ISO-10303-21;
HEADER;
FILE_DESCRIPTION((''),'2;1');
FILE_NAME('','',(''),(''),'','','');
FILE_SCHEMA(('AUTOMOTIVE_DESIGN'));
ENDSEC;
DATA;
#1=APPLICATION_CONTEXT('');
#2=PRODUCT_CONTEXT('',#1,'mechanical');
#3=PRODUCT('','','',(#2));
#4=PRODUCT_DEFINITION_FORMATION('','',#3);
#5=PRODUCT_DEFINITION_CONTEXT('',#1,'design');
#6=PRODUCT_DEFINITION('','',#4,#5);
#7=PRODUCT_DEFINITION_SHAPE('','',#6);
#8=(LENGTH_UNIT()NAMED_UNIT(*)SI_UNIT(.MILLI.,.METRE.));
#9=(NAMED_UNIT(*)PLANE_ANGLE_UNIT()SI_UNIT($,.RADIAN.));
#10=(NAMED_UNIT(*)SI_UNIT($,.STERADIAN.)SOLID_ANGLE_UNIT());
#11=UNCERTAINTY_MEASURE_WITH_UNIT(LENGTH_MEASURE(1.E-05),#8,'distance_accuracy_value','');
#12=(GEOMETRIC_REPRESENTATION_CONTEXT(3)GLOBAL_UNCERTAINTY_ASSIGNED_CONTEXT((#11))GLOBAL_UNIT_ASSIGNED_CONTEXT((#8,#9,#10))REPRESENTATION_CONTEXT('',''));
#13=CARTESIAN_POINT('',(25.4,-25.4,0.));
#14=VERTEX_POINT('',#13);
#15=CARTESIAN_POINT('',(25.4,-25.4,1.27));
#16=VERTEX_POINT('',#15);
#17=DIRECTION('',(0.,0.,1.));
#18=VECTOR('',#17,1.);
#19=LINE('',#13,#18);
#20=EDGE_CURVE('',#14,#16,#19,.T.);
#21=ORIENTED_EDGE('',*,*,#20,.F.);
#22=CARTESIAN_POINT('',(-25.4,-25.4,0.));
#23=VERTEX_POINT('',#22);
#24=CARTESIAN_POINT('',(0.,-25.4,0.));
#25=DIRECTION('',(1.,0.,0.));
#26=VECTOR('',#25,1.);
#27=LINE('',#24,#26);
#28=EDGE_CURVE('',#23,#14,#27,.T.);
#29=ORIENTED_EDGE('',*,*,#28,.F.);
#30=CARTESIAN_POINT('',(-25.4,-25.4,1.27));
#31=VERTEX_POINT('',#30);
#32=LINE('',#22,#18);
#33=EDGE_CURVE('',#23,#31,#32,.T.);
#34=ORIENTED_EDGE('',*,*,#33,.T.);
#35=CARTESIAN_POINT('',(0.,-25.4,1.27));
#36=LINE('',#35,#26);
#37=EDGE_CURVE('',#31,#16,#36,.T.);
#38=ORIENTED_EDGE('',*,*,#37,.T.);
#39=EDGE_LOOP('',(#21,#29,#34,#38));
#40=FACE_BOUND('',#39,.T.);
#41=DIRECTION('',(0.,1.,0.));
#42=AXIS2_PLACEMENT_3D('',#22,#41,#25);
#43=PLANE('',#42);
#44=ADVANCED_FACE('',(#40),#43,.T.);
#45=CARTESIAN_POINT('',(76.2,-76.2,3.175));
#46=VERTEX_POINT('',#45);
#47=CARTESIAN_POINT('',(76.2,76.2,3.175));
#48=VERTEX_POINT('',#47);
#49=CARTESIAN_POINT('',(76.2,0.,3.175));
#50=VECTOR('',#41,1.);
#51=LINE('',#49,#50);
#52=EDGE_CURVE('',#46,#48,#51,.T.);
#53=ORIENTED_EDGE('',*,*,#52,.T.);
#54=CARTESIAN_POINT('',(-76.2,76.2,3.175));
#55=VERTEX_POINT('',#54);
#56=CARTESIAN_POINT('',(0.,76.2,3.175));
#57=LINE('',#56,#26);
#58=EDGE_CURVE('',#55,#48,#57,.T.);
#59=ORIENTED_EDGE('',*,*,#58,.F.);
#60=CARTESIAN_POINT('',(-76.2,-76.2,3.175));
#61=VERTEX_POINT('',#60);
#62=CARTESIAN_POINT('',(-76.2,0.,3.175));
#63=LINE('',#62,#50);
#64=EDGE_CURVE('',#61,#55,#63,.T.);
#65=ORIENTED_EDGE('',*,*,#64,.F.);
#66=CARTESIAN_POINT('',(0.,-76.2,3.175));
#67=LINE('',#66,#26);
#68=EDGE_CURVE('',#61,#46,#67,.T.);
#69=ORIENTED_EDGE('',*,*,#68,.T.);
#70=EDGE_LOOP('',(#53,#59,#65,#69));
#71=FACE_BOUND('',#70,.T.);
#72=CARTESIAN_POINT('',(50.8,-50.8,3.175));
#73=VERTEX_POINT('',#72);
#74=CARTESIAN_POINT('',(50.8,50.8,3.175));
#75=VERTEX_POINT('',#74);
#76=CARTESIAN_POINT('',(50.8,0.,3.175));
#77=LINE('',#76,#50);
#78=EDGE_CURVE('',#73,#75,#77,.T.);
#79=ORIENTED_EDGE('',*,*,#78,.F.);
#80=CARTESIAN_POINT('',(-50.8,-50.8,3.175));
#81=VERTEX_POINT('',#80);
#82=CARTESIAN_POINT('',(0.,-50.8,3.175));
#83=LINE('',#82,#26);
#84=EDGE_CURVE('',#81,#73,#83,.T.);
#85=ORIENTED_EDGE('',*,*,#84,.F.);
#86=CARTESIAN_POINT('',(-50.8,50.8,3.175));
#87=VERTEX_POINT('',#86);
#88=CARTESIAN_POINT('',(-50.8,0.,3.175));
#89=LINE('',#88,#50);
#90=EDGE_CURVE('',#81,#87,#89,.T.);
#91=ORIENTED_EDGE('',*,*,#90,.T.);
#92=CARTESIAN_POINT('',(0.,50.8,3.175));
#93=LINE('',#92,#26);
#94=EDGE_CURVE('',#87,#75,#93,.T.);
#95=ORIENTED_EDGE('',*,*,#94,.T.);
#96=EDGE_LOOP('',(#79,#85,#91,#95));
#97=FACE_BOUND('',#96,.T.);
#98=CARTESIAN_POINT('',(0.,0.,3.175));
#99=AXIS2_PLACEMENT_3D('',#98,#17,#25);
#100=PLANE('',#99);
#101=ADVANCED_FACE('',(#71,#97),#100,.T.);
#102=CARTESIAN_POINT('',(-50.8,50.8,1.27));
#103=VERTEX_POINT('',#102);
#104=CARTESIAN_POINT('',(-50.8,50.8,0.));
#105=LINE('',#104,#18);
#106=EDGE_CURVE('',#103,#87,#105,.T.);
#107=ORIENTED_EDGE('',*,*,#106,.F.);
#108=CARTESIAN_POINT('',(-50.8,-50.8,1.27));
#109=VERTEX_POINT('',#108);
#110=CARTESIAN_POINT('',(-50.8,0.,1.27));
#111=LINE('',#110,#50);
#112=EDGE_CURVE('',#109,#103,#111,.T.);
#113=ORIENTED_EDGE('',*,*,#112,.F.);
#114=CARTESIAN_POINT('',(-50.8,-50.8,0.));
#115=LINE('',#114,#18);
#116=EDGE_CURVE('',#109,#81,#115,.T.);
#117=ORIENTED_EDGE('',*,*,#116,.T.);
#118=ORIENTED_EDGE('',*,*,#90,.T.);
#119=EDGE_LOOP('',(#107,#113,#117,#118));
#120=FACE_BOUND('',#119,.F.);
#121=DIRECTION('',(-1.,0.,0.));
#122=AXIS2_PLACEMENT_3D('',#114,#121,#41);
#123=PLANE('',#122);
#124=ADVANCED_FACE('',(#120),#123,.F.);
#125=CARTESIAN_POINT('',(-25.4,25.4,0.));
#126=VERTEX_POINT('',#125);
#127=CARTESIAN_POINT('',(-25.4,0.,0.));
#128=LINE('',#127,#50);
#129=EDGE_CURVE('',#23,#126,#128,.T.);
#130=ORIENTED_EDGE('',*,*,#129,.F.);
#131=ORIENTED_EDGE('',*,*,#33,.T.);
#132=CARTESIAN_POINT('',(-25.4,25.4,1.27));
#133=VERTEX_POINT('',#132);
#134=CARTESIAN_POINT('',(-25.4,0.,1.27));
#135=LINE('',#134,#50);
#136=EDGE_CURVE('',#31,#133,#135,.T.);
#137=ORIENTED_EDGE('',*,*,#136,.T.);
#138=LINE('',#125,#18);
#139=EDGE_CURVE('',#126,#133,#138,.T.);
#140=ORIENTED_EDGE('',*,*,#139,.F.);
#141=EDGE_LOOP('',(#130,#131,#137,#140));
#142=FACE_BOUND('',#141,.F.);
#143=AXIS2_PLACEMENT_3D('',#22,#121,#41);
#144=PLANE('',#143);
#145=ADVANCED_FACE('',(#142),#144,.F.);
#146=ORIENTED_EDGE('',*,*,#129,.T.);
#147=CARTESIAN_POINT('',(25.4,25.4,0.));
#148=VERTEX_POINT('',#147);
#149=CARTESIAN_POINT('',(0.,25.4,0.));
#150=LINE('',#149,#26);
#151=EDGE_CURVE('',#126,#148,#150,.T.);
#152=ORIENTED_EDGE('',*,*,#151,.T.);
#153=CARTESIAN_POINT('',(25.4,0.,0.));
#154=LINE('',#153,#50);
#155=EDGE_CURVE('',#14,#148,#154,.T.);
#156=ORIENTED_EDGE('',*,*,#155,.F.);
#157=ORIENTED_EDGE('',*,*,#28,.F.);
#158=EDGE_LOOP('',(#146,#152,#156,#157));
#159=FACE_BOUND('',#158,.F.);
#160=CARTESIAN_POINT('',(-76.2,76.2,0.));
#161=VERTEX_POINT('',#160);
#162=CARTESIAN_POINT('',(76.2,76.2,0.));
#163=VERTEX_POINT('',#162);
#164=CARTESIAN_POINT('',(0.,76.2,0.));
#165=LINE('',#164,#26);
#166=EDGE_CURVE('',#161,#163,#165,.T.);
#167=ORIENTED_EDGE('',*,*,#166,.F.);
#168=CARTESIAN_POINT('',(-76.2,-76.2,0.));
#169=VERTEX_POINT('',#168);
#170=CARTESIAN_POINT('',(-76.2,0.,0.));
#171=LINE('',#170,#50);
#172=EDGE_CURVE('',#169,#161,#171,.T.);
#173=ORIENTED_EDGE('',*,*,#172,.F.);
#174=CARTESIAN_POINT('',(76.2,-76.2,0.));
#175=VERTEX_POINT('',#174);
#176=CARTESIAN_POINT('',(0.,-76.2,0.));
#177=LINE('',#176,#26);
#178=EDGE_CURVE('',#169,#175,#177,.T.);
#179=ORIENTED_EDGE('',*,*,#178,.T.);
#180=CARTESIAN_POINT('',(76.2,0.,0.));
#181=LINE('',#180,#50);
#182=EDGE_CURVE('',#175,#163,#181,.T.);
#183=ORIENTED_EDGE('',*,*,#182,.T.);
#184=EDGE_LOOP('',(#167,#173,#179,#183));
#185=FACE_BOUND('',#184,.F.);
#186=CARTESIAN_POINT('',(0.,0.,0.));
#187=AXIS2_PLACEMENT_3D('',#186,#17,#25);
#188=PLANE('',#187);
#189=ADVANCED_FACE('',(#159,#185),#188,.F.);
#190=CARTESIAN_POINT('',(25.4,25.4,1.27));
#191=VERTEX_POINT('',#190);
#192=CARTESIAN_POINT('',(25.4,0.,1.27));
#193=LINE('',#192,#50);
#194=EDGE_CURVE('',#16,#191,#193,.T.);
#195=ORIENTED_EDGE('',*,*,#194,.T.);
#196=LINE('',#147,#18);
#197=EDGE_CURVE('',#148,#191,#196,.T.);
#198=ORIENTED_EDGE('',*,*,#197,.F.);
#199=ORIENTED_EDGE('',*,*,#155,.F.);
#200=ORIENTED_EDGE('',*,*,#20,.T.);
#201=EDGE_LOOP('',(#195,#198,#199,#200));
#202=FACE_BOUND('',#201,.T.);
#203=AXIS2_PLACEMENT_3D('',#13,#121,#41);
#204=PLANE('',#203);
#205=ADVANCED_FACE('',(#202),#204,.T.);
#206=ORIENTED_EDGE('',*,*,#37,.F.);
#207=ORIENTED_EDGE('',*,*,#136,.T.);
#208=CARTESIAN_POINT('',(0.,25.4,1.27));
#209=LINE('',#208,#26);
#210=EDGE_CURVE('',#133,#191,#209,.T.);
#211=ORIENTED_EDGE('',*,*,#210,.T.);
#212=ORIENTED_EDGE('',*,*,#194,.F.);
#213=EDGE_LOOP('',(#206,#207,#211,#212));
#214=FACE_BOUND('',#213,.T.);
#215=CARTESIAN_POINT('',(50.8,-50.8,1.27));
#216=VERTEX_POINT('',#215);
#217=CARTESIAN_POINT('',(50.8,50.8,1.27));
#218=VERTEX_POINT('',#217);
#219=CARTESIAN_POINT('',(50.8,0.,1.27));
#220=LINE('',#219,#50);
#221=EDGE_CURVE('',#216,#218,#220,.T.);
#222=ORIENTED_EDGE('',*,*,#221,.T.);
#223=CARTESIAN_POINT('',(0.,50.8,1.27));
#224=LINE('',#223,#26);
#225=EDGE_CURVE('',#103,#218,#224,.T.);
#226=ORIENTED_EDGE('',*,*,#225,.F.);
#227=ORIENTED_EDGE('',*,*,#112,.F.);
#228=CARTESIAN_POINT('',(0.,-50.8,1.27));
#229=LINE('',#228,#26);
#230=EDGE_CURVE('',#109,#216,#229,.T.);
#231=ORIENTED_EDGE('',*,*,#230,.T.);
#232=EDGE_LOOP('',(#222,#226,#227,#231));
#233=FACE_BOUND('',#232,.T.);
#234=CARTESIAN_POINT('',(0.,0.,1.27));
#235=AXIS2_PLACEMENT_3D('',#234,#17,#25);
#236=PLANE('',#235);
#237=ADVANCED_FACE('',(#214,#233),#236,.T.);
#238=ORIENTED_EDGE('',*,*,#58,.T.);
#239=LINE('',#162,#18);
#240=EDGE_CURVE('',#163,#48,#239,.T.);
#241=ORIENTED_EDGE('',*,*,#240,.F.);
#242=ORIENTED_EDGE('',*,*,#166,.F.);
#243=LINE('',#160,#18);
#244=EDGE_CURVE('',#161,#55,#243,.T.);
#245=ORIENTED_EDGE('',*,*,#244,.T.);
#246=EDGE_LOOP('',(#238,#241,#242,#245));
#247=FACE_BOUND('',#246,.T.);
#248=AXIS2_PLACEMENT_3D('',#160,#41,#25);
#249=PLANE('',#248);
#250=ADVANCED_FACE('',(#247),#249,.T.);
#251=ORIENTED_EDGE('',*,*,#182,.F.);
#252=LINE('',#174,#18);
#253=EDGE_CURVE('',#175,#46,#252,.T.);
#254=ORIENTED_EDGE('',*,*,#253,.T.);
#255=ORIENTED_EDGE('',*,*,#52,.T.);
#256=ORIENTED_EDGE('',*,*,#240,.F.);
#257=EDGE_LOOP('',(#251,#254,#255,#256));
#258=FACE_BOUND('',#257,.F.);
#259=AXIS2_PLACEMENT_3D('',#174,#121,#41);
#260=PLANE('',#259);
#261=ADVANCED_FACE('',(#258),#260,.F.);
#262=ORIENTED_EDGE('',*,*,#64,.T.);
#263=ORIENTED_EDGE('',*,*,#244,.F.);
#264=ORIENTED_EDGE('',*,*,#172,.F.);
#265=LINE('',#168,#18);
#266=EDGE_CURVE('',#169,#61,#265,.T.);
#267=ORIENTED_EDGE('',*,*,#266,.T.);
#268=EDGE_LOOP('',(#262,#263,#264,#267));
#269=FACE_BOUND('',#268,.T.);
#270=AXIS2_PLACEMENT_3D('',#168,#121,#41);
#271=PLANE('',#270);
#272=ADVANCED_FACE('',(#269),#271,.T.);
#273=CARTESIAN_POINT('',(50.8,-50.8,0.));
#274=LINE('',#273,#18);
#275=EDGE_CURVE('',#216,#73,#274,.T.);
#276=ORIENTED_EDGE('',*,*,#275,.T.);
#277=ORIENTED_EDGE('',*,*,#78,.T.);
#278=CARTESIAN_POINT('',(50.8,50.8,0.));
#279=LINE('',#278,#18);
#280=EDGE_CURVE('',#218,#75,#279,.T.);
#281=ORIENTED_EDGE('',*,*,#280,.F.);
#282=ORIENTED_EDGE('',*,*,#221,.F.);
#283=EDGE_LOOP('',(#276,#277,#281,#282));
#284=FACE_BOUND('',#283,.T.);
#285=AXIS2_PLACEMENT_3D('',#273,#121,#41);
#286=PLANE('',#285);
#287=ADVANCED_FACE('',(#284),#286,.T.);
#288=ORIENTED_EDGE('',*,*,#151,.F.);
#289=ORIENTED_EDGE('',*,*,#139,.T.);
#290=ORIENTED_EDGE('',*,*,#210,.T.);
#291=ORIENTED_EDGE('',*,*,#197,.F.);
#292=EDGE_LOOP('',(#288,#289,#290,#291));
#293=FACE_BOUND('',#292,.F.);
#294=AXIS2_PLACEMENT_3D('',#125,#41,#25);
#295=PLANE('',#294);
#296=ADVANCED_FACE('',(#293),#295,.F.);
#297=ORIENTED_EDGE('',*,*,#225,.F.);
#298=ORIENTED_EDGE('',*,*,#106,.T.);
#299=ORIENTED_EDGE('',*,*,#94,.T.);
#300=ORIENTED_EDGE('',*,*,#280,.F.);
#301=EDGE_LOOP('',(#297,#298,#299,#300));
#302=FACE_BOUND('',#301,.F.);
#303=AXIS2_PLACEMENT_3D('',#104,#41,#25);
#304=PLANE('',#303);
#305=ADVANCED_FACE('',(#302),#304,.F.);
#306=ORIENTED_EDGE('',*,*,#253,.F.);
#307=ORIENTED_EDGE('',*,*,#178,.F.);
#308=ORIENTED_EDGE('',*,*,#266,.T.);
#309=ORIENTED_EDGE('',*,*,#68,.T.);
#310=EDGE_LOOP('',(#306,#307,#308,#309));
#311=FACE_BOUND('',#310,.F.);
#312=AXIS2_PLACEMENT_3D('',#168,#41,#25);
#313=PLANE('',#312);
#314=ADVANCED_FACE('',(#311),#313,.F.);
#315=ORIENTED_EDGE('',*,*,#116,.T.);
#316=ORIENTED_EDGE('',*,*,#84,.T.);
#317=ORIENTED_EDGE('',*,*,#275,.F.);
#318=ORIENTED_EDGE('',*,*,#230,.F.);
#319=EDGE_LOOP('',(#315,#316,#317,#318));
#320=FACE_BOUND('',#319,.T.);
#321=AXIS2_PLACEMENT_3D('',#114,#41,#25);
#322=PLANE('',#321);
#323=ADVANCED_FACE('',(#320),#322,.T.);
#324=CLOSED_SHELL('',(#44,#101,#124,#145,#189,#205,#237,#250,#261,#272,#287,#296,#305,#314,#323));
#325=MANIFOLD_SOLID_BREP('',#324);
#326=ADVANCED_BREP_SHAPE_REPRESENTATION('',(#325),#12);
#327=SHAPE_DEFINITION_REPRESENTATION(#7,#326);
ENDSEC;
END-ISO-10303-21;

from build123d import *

# Parameters (mm, degrees)
F0_W     = 152.4
F0_H     = 152.4
F0_W_2   = 101.6
F0_H_2   = 101.6
F1_DEPTH = 3.175
F0_W_3   = 50.8
F0_H_3   = 50.8
F2_DEPTH = 1.27


with BuildPart() as f1:
    # F0 (on Top) → F1 (new body)
    with BuildSketch(Plane.XY):
        Rectangle(F0_W, F0_H)
        Rectangle(F0_W_2, F0_H_2, mode=Mode.SUBTRACT)
    extrude(amount=F1_DEPTH)

    # F0 (on Top) → F2 (join)
    with BuildSketch(Plane.XY):
        Rectangle(F0_W_2, F0_H_2)
        Rectangle(F0_W_3, F0_H_3, mode=Mode.SUBTRACT)
    extrude(amount=F2_DEPTH)


solid = f1.part
